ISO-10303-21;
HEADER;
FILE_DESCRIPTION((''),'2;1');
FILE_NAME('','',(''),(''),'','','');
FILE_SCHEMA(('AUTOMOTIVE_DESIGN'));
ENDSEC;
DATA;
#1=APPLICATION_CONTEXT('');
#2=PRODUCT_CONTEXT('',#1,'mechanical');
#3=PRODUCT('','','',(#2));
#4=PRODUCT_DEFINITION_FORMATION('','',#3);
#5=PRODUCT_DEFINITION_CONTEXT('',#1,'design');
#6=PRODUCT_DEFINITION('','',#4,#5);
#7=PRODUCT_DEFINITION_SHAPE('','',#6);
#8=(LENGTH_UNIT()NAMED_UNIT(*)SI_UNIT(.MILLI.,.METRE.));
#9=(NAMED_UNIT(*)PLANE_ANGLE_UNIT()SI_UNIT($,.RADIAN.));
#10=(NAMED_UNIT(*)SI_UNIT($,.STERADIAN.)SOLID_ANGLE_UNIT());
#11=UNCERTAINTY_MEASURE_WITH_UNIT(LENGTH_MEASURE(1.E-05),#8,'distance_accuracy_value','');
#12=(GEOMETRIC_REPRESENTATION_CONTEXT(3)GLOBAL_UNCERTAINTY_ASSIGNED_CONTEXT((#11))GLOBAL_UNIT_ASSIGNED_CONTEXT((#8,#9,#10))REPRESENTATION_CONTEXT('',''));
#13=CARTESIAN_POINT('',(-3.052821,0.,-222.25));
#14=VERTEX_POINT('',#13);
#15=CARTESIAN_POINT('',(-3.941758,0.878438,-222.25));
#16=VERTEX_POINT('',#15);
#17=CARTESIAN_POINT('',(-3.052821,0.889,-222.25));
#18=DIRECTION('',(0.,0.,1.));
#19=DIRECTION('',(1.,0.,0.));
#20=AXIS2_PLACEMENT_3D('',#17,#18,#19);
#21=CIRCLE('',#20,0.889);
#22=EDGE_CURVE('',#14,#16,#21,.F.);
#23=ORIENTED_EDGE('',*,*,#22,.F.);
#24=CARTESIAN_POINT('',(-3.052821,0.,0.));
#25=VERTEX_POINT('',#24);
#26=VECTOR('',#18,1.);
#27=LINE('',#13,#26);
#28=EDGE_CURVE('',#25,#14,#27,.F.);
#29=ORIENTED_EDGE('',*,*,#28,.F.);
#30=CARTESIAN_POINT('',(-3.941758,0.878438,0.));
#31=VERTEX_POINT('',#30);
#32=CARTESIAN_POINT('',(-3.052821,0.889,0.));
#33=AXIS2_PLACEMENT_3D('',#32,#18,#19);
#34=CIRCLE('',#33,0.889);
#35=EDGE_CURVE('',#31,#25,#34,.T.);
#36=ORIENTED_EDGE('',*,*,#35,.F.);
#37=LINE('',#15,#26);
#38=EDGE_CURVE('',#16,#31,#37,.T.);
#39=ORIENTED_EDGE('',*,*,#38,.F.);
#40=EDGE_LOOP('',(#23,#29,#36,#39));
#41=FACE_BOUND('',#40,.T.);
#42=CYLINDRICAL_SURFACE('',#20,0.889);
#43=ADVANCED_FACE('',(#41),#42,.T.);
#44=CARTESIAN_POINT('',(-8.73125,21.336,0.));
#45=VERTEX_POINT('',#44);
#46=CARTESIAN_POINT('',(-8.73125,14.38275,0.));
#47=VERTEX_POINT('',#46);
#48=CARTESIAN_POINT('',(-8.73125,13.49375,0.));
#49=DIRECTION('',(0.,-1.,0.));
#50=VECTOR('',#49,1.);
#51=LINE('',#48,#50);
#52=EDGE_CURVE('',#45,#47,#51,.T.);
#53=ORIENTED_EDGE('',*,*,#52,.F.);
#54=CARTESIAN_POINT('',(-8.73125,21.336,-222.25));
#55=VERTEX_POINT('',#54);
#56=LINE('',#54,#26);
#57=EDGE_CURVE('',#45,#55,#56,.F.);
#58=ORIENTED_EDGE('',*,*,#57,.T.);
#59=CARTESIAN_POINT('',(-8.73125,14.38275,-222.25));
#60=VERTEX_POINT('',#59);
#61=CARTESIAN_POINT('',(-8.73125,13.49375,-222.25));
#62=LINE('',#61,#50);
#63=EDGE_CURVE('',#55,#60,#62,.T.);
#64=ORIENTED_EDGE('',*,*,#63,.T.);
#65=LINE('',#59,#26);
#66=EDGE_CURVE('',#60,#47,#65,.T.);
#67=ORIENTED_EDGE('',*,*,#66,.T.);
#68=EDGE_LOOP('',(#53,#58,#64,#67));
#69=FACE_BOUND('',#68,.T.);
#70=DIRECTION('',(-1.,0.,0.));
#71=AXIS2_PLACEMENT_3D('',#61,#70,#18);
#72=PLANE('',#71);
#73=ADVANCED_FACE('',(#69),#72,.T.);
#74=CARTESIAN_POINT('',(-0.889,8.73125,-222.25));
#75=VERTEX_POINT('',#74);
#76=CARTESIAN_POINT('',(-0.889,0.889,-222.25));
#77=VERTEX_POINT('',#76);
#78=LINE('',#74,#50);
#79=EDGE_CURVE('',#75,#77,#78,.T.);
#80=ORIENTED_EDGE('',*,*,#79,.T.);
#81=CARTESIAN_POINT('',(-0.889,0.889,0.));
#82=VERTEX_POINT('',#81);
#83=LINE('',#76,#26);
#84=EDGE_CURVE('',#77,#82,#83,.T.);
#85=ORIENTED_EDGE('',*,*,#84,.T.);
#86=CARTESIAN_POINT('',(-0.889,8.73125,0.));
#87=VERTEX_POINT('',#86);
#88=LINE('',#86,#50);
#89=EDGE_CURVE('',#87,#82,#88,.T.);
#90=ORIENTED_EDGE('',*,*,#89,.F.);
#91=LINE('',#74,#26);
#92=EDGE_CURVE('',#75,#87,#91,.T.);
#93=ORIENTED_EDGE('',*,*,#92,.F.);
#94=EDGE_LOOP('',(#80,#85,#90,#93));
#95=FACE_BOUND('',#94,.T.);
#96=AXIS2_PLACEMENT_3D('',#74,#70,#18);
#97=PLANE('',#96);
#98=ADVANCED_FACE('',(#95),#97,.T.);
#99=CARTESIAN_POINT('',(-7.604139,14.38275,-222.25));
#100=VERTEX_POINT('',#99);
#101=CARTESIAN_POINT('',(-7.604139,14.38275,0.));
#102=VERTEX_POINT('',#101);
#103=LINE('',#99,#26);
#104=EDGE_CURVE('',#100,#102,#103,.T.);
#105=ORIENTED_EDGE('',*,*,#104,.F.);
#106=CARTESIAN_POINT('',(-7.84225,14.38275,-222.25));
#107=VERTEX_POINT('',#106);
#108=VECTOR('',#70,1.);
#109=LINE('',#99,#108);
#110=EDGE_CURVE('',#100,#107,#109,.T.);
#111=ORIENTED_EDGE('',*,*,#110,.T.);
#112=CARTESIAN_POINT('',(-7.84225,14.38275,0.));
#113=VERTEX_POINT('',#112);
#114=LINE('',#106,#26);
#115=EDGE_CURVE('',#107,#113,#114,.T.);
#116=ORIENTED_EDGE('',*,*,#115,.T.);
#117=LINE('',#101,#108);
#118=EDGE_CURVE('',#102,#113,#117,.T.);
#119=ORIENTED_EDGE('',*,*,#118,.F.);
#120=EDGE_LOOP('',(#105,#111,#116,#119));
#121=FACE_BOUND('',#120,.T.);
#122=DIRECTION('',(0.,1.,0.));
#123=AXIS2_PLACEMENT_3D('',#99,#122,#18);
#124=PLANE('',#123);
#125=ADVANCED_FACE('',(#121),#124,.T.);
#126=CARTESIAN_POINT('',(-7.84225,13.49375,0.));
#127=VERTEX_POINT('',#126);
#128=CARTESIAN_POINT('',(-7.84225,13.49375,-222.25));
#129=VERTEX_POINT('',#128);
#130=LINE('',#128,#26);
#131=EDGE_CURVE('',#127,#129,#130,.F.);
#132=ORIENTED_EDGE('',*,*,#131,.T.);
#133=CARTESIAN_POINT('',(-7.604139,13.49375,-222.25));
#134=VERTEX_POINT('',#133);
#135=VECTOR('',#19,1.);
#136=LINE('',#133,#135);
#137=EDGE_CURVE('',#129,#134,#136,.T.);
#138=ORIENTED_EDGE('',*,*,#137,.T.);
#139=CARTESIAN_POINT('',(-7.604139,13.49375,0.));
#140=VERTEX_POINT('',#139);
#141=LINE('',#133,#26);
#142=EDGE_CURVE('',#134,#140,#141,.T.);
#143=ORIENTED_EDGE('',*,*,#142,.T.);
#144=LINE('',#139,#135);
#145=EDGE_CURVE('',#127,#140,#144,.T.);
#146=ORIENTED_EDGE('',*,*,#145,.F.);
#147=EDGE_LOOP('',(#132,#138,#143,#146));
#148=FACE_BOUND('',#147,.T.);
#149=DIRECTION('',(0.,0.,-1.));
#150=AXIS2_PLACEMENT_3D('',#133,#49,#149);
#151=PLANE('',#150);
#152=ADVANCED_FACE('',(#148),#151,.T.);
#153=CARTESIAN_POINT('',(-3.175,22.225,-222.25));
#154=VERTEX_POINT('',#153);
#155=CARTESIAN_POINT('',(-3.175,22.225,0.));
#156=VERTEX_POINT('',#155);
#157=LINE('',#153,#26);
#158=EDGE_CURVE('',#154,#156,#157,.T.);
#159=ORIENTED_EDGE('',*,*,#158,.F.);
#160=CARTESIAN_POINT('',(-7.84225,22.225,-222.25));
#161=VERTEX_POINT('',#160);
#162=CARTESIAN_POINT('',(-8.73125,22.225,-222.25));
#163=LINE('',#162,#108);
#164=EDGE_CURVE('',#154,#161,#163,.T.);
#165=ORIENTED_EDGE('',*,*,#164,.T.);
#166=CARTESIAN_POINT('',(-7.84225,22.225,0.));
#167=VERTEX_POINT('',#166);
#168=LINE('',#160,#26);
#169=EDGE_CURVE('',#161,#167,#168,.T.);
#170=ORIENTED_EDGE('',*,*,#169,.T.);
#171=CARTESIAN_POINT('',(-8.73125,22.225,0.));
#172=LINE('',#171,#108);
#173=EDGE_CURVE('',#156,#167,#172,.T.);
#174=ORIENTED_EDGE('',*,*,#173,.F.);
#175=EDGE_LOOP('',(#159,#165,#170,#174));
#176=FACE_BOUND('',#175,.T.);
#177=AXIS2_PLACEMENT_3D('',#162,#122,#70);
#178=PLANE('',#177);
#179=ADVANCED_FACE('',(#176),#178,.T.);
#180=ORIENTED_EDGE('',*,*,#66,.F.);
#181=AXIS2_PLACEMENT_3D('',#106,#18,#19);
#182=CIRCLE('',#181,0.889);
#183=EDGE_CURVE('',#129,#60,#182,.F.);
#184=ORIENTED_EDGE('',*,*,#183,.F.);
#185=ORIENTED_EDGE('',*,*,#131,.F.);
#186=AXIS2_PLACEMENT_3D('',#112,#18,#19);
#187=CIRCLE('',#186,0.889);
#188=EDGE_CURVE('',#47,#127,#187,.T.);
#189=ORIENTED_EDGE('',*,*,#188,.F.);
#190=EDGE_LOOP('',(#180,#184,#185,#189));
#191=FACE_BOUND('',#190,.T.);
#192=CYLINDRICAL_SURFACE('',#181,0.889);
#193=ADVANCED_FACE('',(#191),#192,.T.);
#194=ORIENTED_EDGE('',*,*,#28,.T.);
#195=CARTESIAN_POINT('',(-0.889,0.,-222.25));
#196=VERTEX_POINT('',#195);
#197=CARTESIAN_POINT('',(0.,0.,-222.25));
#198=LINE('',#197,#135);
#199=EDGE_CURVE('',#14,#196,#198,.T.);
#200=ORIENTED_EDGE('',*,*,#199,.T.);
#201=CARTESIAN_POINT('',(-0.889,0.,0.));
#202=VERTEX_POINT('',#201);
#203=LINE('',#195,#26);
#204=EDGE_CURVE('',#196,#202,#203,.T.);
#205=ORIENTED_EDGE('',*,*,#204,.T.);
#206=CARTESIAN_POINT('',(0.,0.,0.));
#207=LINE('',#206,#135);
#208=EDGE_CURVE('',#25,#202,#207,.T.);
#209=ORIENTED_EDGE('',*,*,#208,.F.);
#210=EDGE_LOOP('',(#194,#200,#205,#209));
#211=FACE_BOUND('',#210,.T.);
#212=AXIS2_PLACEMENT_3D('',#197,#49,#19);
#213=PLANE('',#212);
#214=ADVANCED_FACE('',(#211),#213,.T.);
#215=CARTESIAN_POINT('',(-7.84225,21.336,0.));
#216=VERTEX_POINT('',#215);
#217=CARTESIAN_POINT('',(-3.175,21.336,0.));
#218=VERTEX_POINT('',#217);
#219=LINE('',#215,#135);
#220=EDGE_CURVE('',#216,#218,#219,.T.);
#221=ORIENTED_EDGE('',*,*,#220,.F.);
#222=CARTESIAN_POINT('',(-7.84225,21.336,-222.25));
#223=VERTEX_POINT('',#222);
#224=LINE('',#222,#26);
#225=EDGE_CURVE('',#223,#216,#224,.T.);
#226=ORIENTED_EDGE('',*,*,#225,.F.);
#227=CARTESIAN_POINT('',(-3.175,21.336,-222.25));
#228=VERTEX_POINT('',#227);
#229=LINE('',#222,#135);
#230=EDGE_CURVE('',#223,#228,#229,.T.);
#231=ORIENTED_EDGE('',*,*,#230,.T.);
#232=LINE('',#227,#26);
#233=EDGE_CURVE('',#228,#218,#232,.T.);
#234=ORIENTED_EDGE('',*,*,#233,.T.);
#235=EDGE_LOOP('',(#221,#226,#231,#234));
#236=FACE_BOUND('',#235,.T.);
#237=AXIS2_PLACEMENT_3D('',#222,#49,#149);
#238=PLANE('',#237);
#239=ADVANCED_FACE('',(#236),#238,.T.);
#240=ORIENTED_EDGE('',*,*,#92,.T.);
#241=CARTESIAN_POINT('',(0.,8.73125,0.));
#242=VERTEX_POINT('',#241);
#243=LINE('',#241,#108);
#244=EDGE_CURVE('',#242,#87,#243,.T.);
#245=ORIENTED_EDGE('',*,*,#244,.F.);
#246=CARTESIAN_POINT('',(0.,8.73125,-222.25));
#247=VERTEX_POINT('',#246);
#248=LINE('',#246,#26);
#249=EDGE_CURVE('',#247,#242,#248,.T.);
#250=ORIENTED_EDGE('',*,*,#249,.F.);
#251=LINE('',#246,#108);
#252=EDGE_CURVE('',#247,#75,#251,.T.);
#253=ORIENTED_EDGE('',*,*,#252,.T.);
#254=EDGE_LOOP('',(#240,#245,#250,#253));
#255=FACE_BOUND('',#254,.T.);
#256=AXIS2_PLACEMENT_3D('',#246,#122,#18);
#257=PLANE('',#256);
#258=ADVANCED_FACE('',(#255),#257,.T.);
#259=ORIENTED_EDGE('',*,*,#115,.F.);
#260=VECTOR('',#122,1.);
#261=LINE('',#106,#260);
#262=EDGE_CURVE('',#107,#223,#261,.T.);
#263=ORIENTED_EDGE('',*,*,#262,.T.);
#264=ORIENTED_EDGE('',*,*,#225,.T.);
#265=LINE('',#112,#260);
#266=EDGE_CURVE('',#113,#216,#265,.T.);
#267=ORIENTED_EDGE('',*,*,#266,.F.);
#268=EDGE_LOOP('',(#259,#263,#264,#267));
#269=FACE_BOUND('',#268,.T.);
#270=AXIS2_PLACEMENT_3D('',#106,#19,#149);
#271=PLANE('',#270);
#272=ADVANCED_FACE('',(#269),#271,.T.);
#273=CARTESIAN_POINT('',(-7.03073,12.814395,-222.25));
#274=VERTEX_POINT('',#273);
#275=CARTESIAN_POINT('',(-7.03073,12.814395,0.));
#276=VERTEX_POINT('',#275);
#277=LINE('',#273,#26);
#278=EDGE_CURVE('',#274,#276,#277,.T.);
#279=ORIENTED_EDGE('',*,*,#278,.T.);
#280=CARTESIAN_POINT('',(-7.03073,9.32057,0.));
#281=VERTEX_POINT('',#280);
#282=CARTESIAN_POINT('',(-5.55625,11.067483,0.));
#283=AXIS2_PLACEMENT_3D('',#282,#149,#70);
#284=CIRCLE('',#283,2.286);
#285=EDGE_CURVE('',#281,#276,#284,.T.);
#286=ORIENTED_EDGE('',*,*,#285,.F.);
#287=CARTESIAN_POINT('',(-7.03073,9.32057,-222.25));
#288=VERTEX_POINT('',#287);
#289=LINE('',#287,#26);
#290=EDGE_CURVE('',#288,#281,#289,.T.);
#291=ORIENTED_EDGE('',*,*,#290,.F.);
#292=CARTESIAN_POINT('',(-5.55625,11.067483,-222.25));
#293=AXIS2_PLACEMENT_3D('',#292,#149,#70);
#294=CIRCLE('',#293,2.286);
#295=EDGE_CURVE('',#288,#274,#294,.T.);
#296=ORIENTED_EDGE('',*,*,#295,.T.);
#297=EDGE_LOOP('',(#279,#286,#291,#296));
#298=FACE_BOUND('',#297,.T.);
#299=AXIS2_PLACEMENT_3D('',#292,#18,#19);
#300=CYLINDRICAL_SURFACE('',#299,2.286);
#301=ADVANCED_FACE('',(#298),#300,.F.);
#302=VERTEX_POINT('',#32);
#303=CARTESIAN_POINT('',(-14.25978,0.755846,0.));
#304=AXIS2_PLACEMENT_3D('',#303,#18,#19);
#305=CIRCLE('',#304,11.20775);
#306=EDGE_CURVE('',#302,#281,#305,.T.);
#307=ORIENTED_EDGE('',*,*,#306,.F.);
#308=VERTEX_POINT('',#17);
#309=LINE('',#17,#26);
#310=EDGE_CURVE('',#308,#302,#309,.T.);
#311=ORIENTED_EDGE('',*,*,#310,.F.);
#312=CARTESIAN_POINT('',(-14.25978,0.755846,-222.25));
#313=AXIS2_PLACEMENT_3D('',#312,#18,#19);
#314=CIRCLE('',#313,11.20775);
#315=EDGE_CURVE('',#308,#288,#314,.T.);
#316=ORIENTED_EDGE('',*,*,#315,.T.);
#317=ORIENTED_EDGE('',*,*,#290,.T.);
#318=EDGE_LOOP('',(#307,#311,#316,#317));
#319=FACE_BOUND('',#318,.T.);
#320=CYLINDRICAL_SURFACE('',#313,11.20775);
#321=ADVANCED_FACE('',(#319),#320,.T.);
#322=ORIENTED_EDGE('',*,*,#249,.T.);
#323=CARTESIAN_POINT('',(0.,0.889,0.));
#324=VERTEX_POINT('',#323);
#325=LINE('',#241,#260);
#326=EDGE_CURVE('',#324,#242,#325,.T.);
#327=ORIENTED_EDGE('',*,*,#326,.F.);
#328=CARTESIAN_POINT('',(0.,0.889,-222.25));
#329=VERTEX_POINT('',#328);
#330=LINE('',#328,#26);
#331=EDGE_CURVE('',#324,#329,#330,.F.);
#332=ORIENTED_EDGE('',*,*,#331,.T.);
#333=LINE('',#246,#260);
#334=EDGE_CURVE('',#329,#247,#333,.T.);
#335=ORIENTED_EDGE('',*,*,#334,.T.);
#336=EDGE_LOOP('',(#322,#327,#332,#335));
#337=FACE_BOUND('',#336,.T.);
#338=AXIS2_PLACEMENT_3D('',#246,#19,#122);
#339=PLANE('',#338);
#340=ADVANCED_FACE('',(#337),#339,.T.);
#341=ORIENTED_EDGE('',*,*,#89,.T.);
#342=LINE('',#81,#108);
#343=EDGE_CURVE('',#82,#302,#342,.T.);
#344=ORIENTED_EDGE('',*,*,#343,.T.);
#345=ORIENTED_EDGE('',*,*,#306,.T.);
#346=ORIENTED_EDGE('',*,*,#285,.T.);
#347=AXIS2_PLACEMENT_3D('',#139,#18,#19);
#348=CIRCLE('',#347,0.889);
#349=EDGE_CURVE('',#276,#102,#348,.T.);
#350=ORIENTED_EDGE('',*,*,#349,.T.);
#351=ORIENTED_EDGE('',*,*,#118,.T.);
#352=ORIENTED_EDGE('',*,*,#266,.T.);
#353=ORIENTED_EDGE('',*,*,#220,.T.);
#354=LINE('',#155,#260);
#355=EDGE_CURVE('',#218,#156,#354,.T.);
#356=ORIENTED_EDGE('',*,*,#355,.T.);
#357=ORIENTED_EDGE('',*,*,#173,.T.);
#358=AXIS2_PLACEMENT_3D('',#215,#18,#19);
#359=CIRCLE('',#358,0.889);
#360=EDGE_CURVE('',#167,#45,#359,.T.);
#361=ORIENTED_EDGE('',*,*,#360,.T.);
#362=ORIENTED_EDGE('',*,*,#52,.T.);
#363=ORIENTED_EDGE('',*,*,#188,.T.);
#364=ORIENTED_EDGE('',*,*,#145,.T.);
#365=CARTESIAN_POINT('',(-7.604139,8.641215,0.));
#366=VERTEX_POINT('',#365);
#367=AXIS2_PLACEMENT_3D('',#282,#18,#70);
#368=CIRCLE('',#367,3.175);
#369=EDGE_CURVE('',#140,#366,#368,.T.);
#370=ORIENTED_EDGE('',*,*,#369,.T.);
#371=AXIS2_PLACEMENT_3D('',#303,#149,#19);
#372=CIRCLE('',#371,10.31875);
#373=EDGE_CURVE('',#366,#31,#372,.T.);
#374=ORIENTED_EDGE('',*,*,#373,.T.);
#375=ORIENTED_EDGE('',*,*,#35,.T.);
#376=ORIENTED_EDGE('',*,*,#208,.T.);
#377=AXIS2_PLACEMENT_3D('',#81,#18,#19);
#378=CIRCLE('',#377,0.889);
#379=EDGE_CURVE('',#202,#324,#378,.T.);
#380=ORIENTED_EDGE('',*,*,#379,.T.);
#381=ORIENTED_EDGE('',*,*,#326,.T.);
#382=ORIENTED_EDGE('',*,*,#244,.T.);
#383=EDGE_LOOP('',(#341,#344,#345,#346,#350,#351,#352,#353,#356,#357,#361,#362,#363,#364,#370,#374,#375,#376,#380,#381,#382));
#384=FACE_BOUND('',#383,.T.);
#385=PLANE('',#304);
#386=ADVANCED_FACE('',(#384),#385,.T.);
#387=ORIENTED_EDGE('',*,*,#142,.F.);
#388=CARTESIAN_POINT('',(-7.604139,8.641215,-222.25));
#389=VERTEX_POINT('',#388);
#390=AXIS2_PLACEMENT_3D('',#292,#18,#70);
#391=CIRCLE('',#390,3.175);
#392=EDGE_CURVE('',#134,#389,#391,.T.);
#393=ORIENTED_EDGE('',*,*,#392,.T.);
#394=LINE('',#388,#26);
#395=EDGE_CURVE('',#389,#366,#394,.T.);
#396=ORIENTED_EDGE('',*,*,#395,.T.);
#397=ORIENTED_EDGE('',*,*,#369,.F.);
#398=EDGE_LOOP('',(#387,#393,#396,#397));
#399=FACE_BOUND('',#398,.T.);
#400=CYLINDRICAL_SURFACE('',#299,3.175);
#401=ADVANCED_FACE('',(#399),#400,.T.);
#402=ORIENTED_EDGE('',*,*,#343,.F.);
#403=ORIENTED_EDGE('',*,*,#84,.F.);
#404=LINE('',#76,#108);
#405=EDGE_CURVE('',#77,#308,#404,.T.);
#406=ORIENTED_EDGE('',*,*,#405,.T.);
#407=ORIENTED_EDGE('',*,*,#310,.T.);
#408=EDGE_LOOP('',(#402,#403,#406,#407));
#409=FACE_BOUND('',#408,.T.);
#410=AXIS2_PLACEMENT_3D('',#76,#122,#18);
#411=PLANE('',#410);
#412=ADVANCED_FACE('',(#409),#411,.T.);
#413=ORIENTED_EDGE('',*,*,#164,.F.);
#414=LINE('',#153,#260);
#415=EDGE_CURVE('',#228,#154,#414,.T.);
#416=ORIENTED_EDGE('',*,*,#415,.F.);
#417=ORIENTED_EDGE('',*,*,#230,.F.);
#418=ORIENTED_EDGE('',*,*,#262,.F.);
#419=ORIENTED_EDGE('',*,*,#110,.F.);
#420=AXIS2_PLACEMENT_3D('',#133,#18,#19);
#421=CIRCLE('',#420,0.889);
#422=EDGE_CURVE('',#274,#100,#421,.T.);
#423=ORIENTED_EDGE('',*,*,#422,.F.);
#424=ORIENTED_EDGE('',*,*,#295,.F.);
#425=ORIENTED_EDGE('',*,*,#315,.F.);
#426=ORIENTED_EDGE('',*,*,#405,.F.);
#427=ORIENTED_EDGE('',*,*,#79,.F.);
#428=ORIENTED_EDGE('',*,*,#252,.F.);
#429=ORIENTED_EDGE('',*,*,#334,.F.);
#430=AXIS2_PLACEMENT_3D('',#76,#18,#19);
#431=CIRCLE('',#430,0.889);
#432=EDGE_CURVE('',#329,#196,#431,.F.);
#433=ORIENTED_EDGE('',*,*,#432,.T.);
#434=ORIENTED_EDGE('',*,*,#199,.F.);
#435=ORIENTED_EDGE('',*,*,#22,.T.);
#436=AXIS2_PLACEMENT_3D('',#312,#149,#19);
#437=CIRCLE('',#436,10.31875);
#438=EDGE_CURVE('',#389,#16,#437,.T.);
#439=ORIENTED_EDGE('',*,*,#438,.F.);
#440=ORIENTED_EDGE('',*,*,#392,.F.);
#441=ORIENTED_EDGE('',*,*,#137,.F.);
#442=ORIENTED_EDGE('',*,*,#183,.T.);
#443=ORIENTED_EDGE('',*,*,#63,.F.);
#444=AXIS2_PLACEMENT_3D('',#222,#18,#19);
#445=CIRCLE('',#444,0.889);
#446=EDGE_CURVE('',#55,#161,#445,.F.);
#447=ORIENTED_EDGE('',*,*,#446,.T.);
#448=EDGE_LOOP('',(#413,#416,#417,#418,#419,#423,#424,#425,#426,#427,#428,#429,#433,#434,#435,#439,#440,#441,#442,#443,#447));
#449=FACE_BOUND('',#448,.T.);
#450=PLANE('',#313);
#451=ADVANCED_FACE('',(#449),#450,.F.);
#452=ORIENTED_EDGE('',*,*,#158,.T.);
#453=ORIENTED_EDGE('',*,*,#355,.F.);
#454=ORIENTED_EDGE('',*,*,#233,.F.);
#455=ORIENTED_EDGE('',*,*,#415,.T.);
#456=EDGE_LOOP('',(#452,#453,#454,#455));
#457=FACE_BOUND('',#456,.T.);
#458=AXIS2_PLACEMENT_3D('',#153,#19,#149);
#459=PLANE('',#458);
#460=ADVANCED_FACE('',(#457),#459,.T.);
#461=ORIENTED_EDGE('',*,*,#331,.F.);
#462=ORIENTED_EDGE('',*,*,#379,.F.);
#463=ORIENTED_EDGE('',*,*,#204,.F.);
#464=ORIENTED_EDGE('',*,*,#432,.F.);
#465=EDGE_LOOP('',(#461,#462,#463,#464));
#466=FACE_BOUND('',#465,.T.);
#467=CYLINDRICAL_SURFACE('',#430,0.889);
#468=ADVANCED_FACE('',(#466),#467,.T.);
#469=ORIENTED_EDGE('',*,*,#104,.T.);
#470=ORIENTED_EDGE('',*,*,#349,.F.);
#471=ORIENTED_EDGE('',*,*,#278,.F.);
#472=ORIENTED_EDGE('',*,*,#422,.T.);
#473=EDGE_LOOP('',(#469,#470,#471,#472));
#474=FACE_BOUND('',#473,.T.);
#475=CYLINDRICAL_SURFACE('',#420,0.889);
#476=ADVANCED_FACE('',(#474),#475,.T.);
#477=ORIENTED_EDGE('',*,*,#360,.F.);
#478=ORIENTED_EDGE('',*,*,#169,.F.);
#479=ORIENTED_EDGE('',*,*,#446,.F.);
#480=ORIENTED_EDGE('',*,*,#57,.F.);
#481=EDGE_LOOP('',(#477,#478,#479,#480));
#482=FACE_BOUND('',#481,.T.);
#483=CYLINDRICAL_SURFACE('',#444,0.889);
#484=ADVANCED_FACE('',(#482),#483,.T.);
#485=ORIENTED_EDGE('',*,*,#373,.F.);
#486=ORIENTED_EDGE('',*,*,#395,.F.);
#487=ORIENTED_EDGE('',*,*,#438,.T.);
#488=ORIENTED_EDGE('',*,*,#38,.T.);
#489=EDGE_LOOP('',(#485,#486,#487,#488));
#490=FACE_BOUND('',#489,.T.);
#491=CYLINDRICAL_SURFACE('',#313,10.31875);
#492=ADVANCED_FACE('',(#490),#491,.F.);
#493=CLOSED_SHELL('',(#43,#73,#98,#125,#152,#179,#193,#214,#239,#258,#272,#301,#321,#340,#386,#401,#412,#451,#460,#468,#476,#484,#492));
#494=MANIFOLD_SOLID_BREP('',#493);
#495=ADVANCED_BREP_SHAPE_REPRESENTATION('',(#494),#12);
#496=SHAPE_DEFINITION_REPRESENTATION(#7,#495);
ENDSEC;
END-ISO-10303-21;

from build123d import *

# Parameters (mm, degrees)
BOSS_EXTRUDE1_DEPTH = 222.25
FILLET1_R           = 0.889


with BuildPart() as part:
    # Sketch1 → Boss-Extrude1 (new body)
    with BuildSketch(Plane.XY):
        with BuildLine():
            Line((0, 8.73125), (0, 0))
            Line((0, 0), (-3.96875, 0))
            ThreePointArc((-3.96875, 0), (-4.748467779, 4.757288038), (-7.604139417, 8.641215018))
            ThreePointArc((-7.604139417, 8.641215018), (-8.73125, 11.067482509), (-7.604139417, 13.49375))
            Line((-7.604139417, 13.49375), (-8.73125, 13.49375))
            Line((-8.73125, 13.49375), (-8.73125, 22.225))
            Line((-8.73125, 22.225), (-3.175, 22.225))
            Line((-3.175, 22.225), (-3.175, 21.336))
            Line((-3.175, 21.336), (-7.84225, 21.336))
            Line((-7.84225, 21.336), (-7.84225, 14.38275))
            Line((-7.84225, 14.38275), (-7.604139417, 14.38275))
            ThreePointArc((-7.604139417, 14.38275), (-6.769194058, 13.799015865), (-7.03073038, 12.814395103))
            ThreePointArc((-7.03073038, 12.814395103), (-7.84225, 11.067482509), (-7.03073038, 9.320569916))
            ThreePointArc((-7.03073038, 9.320569916), (-4.123486495, 5.538022334), (-3.052821022, 0.889))
            Line((-3.052821022, 0.889), (-0.889, 0.889))
            Line((-0.889, 0.889), (-0.889, 8.73125))
            Line((-0.889, 8.73125), (0, 8.73125))
        make_face()
    extrude(amount=-BOSS_EXTRUDE1_DEPTH)

    # Fillet1
    fillet1_edges = [part.edges().sort_by_distance(p)[0] for p in [
        (0, 0, -111.125),
        (-3.96875, 0, -111.125),
        (-8.73125, 13.49375, -111.125),
        (-8.73125, 22.225, -111.125),
    ]]
    fillet(fillet1_edges, radius=FILLET1_R)


solid = part.part
